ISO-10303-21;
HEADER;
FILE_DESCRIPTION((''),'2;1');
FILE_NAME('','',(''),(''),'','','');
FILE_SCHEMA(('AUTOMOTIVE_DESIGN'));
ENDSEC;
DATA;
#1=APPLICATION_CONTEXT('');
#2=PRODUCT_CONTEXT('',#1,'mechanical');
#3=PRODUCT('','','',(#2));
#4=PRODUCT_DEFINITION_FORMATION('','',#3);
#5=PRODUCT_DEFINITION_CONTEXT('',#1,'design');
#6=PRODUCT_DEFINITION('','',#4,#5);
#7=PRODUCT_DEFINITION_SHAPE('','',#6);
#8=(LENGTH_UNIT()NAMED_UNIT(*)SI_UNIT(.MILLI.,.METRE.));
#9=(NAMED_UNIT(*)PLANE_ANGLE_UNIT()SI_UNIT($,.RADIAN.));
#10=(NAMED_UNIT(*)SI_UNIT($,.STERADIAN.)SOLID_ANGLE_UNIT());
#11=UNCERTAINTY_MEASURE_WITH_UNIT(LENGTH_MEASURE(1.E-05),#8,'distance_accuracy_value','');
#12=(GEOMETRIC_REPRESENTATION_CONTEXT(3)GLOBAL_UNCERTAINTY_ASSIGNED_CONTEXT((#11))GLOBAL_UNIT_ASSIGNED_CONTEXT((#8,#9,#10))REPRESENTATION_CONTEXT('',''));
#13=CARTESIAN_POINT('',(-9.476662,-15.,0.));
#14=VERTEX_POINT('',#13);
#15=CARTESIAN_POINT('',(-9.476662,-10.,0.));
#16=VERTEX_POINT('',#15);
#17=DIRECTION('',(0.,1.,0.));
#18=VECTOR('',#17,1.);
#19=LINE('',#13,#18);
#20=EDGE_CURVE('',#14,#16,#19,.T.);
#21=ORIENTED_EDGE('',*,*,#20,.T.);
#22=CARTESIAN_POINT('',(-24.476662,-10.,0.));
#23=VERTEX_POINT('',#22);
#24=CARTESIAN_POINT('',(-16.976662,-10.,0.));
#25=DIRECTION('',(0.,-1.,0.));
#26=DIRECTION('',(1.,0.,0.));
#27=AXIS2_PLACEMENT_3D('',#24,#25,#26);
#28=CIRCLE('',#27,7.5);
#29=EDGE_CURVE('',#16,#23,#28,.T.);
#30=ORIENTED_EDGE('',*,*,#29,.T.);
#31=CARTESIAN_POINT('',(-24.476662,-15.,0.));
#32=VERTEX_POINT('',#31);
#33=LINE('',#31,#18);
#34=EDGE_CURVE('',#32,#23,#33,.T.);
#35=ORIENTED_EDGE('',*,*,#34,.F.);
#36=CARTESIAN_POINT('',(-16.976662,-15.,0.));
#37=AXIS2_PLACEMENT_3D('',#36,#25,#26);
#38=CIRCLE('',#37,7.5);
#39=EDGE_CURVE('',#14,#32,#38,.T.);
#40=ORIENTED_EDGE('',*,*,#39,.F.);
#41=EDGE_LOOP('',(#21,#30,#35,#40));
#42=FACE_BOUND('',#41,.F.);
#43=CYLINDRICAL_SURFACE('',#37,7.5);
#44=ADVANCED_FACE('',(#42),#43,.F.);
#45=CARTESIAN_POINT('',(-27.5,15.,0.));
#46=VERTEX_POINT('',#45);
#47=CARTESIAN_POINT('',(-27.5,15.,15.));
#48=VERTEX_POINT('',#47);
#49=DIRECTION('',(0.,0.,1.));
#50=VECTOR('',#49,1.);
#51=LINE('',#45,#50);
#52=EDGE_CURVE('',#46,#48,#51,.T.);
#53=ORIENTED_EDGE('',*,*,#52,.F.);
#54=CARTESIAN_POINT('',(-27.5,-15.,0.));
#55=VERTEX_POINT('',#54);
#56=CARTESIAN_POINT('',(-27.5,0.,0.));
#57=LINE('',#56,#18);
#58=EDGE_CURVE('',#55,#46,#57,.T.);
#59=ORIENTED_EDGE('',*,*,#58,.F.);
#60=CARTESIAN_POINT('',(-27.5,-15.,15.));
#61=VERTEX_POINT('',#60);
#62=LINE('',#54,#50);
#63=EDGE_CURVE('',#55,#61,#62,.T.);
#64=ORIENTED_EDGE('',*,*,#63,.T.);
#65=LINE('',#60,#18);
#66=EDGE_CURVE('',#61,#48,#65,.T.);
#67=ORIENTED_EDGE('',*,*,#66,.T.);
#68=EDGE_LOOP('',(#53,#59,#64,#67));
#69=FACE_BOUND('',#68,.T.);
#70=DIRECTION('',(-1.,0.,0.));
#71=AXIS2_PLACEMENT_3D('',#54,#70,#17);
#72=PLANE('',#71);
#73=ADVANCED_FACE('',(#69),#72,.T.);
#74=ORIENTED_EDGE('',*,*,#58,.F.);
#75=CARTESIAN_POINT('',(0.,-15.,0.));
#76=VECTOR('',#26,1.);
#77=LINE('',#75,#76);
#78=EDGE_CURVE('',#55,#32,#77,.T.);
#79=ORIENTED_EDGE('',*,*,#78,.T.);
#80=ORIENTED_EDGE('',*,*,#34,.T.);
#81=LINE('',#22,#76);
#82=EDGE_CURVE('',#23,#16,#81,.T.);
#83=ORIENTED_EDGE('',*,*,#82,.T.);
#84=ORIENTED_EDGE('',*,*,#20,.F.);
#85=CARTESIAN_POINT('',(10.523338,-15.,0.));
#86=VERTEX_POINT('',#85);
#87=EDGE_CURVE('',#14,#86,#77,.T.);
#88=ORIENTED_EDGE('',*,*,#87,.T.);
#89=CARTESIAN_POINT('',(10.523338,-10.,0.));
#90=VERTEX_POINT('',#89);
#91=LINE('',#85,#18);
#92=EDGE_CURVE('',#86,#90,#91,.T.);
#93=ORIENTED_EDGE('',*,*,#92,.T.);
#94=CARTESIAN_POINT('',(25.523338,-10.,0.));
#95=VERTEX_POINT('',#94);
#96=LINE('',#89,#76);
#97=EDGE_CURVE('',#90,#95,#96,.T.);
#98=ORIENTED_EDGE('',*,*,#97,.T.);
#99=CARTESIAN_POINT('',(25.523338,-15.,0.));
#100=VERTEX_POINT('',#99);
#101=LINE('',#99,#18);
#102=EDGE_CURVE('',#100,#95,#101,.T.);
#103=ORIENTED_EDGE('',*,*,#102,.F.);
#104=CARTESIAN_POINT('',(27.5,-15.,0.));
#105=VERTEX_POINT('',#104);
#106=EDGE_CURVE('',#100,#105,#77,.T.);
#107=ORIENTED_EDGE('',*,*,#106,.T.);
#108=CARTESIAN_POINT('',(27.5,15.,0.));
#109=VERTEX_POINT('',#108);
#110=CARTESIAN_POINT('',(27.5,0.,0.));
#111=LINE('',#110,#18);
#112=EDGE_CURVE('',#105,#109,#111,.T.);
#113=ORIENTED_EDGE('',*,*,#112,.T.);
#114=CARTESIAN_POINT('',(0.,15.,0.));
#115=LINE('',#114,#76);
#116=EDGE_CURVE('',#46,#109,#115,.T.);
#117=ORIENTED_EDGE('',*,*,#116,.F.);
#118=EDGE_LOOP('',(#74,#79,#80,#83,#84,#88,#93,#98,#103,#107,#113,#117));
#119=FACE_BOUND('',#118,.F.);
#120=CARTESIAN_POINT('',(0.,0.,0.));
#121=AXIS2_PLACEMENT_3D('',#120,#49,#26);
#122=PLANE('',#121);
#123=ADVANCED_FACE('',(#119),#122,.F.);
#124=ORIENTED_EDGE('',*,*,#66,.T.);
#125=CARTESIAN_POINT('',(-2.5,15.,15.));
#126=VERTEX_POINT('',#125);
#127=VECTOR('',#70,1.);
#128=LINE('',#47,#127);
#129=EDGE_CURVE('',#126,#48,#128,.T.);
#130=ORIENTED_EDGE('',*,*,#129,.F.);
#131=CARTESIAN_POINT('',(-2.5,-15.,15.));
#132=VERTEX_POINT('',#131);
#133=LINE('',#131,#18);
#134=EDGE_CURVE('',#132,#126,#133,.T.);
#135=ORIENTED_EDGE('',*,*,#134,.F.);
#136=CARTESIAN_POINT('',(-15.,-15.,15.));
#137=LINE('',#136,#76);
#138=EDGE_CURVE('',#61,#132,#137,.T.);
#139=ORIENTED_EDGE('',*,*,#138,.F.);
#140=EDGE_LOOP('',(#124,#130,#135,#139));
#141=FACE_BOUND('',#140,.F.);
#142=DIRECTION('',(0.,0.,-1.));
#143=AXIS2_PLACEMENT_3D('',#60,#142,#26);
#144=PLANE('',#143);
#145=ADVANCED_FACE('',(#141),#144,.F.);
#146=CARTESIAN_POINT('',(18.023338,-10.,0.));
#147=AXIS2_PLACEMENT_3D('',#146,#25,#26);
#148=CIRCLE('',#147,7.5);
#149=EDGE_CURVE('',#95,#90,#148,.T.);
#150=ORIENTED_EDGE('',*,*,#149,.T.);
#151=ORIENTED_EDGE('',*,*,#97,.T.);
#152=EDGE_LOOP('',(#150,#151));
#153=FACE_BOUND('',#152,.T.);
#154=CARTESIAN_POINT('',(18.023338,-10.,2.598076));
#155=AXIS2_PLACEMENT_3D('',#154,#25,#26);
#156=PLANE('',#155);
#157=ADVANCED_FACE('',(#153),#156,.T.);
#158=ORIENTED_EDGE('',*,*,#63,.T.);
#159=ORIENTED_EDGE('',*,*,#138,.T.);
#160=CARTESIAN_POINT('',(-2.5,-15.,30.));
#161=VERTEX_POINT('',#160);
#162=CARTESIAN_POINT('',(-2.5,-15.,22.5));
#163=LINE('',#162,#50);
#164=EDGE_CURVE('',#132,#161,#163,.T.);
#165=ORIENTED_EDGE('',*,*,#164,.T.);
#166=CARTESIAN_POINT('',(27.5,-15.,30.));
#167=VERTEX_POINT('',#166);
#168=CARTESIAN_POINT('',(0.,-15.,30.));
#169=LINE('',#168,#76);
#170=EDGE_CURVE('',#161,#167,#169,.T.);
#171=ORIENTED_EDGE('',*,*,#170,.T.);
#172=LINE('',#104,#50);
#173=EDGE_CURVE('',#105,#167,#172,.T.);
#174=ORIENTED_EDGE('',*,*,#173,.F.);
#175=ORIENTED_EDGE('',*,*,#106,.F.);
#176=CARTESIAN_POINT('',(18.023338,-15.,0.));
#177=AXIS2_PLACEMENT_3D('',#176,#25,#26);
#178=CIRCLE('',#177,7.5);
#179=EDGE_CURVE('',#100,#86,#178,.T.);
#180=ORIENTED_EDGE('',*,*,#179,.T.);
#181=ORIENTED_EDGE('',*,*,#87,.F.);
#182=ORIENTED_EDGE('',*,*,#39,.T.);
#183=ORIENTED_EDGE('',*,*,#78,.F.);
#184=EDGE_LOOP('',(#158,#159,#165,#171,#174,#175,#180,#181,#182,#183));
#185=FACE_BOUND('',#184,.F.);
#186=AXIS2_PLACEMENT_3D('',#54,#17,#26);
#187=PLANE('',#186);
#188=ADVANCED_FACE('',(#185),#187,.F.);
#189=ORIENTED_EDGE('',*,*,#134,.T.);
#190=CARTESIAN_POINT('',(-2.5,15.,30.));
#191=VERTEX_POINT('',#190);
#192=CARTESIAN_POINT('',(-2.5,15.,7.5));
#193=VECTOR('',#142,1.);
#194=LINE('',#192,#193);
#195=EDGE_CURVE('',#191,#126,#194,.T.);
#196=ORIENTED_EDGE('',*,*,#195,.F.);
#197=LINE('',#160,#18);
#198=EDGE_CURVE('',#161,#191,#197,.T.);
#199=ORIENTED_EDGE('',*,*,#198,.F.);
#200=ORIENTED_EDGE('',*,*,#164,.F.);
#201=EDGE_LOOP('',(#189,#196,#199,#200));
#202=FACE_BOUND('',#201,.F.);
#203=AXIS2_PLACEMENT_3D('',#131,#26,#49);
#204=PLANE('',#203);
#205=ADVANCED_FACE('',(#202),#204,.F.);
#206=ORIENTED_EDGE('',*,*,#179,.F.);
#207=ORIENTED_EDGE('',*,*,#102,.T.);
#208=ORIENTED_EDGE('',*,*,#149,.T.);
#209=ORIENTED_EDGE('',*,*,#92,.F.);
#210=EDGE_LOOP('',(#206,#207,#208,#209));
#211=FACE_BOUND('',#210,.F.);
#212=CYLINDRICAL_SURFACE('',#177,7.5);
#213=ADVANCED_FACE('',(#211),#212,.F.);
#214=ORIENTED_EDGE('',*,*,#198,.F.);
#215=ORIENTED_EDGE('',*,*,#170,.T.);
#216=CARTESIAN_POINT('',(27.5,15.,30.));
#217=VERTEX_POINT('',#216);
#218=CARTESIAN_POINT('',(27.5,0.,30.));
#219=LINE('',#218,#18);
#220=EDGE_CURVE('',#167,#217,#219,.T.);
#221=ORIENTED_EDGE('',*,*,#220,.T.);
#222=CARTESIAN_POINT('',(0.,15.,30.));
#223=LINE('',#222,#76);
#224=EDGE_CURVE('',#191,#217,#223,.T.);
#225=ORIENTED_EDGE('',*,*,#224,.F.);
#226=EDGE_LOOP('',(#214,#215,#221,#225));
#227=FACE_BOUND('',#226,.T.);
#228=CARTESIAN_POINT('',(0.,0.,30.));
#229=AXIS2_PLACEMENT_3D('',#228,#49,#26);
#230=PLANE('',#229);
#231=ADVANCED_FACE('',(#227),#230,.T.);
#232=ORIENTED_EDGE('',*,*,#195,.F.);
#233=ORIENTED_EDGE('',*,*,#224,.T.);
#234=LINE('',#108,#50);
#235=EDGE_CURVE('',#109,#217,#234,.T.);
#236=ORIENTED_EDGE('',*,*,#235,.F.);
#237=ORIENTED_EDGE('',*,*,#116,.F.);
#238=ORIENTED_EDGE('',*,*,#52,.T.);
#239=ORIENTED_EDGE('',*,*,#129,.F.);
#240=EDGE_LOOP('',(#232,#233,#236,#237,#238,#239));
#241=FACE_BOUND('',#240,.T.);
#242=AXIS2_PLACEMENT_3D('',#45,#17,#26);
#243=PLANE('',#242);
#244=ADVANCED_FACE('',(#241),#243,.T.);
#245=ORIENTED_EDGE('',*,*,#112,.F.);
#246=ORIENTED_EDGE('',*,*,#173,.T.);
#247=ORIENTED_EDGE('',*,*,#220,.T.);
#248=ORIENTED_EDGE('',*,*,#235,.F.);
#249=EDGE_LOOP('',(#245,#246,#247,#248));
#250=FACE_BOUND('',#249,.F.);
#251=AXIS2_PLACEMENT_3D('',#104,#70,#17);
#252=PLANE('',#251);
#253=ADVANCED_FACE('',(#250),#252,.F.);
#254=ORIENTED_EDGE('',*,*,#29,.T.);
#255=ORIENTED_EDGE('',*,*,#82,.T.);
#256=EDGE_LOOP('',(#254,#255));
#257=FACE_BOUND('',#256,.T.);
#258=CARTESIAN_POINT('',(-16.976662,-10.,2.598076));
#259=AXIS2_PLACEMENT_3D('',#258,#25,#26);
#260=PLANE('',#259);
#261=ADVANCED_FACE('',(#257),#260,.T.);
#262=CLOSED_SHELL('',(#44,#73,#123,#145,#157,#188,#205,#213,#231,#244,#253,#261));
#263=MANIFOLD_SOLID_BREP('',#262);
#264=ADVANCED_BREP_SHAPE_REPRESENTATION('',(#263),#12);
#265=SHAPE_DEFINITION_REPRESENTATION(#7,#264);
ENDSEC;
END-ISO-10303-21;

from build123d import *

# Parameters (mm, degrees)
F0_W     = 55
F0_H     = 30
F1_DEPTH = 30
F2_W     = 25
F2_H     = 15
F3_DEPTH = 30.001
F5_DEPTH = 5


with BuildPart() as f1:
    # F0 (on Top) → F1 (new body)
    with BuildSketch(Plane.XY):
        Rectangle(F0_W, F0_H)
    extrude(amount=F1_DEPTH)

    # F2 (on face) → F3 (cut, through all)
    with BuildSketch(Plane.XZ.offset(15)):
        with Locations((-15, 22.5)):
            Rectangle(F2_W, F2_H)
    extrude(amount=-F3_DEPTH, mode=Mode.SUBTRACT)

    # F4 (on face) → F5 (cut)
    with BuildSketch(Plane.XZ.offset(15)):
        with BuildLine():
            Line((-24.4766619802, 0), (-9.4766619802, 0))
            ThreePointArc((-9.4766619802, 0), (-16.9766619802, 7.5), (-24.4766619802, 0))
        make_face()
        with BuildLine():
            ThreePointArc((25.5233380198, 0), (18.0233380198, 7.5), (10.5233380198, 0))
            Line((10.5233380198, 0), (25.5233380198, 0))
        make_face()
    extrude(amount=-F5_DEPTH, mode=Mode.SUBTRACT)


solid = f1.part
